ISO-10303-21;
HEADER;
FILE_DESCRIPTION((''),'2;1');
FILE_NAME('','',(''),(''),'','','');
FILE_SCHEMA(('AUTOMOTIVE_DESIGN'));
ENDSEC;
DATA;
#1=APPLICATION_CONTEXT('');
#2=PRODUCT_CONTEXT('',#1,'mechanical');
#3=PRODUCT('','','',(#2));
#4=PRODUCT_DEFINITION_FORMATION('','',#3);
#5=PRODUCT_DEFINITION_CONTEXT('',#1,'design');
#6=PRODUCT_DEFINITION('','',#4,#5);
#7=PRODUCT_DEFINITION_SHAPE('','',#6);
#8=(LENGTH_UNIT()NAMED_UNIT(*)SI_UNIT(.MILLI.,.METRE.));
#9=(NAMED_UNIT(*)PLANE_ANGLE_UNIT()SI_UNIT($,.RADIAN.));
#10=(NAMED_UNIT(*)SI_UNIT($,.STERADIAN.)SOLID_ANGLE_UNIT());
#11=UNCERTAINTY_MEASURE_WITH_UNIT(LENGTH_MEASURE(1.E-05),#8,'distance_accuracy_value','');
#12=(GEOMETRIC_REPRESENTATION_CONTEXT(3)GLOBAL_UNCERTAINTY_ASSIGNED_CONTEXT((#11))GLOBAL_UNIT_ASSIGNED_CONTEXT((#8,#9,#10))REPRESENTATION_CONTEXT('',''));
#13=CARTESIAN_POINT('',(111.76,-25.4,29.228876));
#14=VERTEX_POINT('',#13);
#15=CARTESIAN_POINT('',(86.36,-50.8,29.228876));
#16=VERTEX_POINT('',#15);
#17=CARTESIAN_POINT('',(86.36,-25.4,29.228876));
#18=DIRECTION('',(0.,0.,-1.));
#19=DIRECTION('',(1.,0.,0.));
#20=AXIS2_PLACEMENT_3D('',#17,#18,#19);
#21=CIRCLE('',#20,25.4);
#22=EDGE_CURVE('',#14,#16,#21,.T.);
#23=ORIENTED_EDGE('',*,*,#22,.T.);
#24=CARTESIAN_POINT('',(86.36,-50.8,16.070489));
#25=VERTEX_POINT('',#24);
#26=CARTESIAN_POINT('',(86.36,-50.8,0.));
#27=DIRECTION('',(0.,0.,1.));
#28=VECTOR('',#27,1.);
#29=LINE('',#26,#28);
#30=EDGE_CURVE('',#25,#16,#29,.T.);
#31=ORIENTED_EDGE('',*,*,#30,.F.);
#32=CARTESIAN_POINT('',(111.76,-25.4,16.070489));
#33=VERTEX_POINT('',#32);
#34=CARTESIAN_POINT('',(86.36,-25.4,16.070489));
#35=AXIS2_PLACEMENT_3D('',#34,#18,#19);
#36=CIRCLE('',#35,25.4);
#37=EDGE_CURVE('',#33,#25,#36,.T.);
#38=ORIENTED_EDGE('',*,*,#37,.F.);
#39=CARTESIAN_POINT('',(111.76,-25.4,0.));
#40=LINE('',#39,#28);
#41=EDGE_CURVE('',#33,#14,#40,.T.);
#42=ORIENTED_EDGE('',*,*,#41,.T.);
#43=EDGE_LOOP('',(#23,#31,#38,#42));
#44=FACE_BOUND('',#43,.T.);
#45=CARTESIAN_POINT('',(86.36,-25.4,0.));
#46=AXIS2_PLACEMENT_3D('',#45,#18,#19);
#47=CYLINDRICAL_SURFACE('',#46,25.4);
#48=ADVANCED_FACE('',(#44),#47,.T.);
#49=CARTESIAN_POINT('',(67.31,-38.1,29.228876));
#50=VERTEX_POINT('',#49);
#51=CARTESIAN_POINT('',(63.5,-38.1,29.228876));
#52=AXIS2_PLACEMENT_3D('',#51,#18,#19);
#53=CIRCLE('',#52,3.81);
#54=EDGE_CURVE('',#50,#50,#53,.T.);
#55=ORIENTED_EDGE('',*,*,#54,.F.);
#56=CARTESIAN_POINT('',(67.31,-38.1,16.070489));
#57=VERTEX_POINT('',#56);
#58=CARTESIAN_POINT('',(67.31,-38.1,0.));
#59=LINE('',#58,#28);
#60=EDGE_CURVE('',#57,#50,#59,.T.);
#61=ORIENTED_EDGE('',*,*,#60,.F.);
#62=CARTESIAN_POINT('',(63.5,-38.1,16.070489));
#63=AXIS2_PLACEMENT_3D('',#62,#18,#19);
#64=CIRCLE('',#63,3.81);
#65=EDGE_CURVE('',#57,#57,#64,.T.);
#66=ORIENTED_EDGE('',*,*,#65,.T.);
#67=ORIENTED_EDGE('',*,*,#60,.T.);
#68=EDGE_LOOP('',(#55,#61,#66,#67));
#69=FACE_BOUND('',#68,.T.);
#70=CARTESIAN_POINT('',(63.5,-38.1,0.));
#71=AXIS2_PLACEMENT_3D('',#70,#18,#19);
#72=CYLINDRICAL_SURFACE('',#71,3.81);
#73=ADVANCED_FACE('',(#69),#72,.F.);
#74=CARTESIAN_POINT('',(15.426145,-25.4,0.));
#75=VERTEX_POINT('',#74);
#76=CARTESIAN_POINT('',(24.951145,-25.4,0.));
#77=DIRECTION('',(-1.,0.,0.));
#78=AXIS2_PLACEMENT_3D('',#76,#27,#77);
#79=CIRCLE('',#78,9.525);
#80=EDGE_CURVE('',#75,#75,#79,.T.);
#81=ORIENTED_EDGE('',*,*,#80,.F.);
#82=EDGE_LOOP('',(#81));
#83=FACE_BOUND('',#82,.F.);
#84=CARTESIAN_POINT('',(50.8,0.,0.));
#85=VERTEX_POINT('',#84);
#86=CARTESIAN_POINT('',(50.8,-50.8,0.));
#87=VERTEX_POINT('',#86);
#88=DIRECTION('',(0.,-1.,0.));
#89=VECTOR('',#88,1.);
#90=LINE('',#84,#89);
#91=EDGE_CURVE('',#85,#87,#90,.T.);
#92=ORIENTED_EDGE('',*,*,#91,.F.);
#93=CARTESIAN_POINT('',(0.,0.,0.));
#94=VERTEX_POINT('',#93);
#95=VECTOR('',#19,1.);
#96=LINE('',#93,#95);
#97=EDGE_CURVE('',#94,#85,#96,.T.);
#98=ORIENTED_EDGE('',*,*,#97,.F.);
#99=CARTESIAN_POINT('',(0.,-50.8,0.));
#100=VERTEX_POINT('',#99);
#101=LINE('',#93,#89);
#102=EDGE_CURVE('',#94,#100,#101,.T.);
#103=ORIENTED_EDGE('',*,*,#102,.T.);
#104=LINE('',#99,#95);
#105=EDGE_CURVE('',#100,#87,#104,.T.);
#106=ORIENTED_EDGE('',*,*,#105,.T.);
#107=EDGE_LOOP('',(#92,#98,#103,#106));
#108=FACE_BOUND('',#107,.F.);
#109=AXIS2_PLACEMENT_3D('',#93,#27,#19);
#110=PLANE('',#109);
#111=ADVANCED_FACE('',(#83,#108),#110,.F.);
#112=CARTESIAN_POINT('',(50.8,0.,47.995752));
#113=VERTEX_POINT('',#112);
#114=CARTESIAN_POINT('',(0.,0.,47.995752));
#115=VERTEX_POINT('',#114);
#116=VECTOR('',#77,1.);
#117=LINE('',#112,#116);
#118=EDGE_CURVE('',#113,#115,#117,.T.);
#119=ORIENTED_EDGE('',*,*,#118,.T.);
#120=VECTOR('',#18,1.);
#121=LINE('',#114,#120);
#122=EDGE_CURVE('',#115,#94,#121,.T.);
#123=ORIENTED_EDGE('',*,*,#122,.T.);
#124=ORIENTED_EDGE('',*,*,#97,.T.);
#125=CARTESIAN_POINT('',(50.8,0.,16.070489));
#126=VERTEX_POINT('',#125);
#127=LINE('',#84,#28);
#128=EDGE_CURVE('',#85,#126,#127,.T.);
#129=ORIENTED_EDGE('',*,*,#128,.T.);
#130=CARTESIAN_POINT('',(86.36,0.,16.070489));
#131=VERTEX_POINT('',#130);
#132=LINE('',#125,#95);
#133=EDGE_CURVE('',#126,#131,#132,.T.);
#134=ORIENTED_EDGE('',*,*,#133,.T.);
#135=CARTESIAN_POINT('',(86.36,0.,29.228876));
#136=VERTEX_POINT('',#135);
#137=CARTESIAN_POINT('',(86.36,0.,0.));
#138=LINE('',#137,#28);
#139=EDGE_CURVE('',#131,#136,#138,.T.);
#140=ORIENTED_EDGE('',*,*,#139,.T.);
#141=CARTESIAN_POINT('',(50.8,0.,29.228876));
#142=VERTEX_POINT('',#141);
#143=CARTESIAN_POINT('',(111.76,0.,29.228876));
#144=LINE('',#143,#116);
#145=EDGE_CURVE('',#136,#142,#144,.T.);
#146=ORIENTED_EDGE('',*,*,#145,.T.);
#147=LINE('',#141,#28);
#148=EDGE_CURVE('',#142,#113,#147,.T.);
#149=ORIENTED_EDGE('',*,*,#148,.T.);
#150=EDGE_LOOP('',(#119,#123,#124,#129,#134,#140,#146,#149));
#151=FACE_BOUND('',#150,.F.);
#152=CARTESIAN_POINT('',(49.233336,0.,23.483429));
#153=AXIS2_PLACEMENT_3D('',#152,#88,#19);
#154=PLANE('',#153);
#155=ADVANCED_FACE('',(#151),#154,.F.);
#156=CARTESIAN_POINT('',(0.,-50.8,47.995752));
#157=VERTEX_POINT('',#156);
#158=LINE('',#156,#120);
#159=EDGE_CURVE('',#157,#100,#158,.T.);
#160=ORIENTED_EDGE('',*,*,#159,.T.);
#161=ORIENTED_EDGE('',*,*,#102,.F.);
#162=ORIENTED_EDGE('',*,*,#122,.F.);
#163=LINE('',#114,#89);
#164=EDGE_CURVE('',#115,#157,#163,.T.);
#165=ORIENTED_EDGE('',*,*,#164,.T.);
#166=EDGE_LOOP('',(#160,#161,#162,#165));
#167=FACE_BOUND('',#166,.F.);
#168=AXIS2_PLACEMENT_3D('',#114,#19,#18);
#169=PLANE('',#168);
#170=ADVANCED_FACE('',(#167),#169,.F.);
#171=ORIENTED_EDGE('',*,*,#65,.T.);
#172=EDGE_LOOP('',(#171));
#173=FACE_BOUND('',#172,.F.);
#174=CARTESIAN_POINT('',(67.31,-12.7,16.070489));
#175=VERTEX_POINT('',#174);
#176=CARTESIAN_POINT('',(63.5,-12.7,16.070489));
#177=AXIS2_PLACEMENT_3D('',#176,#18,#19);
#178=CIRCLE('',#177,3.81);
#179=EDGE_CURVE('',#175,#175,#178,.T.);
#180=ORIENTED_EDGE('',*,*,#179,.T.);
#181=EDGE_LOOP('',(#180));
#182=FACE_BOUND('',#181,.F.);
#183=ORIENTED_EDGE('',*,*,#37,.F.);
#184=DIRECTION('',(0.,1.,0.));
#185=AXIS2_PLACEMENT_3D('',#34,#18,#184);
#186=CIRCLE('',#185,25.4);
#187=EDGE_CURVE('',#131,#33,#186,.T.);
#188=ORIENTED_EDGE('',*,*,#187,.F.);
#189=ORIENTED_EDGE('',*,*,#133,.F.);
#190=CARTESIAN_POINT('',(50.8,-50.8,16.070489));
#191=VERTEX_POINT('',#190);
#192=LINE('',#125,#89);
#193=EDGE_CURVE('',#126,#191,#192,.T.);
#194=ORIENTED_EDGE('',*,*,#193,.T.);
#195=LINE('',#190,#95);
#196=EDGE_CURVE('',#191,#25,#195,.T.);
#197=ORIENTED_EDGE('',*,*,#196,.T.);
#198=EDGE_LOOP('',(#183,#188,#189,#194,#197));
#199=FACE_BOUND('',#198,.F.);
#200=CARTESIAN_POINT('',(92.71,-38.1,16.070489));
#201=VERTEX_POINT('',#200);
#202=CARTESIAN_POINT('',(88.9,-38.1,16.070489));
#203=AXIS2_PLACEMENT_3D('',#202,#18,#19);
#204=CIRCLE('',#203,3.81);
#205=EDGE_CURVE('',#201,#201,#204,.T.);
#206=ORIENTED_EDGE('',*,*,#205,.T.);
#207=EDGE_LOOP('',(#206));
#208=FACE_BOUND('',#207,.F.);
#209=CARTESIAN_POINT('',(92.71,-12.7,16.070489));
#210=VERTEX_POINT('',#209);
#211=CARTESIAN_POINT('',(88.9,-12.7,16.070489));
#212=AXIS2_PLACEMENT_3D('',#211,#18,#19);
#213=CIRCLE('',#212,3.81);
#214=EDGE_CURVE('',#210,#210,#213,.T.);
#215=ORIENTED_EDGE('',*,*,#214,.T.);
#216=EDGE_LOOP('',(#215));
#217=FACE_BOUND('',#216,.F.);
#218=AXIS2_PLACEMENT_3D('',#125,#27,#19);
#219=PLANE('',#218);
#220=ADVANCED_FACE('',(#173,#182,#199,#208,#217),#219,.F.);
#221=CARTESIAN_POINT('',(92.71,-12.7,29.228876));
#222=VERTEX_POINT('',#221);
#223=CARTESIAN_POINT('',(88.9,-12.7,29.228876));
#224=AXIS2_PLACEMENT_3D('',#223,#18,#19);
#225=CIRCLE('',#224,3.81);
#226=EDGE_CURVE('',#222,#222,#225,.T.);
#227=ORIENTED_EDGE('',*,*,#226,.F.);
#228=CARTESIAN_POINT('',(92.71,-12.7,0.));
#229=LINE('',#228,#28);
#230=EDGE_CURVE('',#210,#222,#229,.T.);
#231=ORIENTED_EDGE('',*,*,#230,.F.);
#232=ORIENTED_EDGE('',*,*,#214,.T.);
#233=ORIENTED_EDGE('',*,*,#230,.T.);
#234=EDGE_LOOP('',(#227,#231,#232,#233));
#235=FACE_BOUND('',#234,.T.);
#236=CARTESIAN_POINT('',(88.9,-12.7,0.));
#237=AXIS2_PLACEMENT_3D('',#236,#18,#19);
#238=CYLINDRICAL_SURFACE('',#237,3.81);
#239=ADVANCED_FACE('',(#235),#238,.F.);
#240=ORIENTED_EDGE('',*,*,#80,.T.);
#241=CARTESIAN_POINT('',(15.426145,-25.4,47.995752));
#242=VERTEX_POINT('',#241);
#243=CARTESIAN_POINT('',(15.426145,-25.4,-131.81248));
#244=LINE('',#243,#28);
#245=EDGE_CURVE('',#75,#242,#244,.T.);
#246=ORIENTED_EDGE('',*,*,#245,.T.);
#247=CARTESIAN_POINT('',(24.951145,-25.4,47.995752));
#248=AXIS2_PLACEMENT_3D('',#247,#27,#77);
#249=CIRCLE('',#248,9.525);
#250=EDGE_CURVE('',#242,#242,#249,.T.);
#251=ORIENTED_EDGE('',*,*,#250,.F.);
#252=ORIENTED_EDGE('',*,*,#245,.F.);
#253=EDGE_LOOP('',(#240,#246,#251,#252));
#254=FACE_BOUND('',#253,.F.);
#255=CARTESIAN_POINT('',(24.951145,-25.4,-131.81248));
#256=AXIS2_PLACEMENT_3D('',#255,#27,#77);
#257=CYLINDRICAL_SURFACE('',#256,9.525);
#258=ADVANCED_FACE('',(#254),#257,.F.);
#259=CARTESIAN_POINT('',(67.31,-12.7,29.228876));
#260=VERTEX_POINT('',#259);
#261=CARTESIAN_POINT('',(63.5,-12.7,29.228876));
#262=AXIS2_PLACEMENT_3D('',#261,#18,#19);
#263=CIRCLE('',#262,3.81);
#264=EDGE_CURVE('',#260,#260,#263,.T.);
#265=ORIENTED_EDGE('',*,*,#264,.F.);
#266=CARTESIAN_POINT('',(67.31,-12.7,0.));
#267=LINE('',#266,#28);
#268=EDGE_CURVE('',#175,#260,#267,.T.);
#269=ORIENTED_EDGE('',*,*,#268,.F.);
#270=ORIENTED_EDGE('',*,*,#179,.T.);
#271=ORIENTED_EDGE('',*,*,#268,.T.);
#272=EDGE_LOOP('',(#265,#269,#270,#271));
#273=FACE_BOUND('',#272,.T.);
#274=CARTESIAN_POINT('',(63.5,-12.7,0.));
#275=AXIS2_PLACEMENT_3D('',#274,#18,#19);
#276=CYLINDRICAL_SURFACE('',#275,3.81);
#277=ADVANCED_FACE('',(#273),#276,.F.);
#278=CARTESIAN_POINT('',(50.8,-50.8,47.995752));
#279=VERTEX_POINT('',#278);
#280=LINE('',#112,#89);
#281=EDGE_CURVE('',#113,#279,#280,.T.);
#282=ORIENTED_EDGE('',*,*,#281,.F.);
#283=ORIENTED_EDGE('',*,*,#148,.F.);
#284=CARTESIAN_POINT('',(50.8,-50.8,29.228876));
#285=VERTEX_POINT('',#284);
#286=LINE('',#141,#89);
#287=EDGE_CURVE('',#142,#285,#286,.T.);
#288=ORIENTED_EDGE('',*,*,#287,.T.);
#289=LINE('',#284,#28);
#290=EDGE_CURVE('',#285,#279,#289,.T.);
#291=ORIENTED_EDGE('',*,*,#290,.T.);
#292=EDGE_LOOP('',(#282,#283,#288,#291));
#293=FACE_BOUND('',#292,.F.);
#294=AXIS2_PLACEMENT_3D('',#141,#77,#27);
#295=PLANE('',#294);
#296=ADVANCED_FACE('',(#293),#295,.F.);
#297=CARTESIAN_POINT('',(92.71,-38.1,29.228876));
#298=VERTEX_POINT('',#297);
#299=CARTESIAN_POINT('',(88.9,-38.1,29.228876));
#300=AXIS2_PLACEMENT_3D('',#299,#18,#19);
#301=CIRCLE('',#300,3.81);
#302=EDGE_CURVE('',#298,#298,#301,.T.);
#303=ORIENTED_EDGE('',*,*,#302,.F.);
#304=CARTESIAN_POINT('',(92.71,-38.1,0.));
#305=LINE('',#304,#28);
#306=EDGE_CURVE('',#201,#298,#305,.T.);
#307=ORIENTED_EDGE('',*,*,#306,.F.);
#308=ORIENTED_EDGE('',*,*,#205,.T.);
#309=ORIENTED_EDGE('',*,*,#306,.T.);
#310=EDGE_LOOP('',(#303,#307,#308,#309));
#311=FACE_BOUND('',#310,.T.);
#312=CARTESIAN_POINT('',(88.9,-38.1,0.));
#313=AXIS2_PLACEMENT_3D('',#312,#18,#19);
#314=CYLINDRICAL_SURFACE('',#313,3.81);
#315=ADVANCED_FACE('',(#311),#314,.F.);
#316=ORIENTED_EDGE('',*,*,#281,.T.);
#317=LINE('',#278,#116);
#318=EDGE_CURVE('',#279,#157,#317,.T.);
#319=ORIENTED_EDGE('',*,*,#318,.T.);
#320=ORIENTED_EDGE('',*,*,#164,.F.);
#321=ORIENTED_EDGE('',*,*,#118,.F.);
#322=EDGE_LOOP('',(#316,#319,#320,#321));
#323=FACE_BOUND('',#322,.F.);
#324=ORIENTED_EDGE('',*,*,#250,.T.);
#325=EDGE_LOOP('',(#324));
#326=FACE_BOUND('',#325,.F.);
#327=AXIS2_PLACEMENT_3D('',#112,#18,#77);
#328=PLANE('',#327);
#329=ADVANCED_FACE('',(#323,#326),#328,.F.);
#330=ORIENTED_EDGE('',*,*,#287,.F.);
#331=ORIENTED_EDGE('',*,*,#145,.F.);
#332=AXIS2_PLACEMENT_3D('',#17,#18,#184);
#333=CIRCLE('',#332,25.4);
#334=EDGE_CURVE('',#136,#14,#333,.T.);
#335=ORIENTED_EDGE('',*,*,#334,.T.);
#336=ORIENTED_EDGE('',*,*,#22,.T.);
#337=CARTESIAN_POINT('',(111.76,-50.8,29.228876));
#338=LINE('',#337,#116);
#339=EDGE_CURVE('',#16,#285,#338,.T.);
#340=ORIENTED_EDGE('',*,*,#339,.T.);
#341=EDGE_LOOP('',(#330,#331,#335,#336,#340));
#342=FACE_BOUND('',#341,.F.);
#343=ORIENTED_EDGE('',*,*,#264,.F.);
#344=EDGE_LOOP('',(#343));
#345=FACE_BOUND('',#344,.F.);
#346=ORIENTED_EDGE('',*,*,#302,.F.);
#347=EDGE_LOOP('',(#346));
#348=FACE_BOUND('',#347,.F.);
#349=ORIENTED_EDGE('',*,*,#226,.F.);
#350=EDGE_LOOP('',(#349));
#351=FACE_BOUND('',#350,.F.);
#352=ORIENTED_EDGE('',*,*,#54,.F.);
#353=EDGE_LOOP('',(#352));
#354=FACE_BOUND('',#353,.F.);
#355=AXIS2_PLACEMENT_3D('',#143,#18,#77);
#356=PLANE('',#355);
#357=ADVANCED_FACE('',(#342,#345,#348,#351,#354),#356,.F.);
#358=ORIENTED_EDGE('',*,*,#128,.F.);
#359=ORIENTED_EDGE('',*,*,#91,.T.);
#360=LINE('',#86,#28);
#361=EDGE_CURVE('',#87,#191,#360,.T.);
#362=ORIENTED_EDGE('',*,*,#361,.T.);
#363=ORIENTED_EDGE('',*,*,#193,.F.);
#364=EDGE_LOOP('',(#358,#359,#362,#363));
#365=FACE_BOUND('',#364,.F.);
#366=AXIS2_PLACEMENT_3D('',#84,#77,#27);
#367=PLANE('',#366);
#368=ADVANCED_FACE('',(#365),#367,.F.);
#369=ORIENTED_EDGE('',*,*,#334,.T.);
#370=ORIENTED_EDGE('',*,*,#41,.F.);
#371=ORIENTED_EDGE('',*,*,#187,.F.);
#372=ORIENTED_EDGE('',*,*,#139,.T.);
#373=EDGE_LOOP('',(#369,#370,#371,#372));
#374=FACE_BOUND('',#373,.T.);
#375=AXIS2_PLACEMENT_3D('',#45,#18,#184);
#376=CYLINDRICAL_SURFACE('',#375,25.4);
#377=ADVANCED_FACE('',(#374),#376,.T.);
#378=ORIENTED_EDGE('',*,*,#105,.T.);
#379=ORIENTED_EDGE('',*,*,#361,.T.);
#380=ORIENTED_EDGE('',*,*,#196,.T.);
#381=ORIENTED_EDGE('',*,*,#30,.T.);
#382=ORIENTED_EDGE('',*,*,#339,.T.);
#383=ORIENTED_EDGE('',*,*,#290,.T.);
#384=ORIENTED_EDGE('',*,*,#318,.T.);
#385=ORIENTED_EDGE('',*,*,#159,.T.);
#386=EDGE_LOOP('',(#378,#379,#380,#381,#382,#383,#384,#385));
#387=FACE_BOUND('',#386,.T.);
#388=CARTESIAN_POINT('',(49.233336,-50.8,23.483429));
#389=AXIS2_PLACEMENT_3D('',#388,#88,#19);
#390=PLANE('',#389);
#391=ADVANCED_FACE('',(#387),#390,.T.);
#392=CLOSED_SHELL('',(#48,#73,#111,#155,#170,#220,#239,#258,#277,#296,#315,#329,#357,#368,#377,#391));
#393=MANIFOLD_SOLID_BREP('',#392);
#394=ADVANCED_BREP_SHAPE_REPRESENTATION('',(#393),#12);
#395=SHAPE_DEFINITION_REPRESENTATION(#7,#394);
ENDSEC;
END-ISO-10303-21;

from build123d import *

# Parameters (mm, degrees)
F1_DEPTH = 50.8
F3_D     = 19.05
F2_R     = 3.81
F4_DEPTH = 47.9967516642


with BuildPart() as f1:
    # F0 (on Front) → F1 (new body)
    with BuildSketch(Plane.XZ):
        Polygon((0, 47.9957516642), (0, 0), (50.8, 0), (50.8, 16.0704886385), (111.76, 16.0704886385), (111.76, 29.228876307), (50.8, 29.228876307), (50.8, 47.9957516642), align=None)
    extrude(amount=F1_DEPTH)

    # F3 (through all)
    with Locations(Plane(origin=(0, 0, 0), x_dir=(1, 0, 0), z_dir=(0, 0, -1))):
        with Locations((24.9511450529, 25.4)):
            Hole(F3_D / 2)

    # F2 (on Top) → F4 (cut, through all)
    with BuildSketch(Plane.XY):
        with Locations((63.5, -12.7)):
            Circle(F2_R)
        with Locations((63.5, -38.1)):
            Circle(F2_R)
        with Locations((88.9, -12.7)):
            Circle(F2_R)
        with Locations((88.9, -38.1)):
            Circle(F2_R)
        with BuildLine():
            Line((111.76, -50.8), (111.76, -25.4))
            ThreePointArc((111.76, -25.4), (104.3205122421, -43.3605122421), (86.36, -50.8))
            Line((86.36, -50.8), (88.9, -50.8))
            Line((88.9, -50.8), (111.76, -50.8))
        make_face()
        with BuildLine():
            Line((88.9, 0), (86.36, 0))
            ThreePointArc((86.36, 0), (104.3205122421, -7.4394877579), (111.76, -25.4))
            Line((111.76, -25.4), (111.76, 0))
            Line((111.76, 0), (88.9, 0))
        make_face()
    extrude(amount=F4_DEPTH, mode=Mode.SUBTRACT)


solid = f1.part
